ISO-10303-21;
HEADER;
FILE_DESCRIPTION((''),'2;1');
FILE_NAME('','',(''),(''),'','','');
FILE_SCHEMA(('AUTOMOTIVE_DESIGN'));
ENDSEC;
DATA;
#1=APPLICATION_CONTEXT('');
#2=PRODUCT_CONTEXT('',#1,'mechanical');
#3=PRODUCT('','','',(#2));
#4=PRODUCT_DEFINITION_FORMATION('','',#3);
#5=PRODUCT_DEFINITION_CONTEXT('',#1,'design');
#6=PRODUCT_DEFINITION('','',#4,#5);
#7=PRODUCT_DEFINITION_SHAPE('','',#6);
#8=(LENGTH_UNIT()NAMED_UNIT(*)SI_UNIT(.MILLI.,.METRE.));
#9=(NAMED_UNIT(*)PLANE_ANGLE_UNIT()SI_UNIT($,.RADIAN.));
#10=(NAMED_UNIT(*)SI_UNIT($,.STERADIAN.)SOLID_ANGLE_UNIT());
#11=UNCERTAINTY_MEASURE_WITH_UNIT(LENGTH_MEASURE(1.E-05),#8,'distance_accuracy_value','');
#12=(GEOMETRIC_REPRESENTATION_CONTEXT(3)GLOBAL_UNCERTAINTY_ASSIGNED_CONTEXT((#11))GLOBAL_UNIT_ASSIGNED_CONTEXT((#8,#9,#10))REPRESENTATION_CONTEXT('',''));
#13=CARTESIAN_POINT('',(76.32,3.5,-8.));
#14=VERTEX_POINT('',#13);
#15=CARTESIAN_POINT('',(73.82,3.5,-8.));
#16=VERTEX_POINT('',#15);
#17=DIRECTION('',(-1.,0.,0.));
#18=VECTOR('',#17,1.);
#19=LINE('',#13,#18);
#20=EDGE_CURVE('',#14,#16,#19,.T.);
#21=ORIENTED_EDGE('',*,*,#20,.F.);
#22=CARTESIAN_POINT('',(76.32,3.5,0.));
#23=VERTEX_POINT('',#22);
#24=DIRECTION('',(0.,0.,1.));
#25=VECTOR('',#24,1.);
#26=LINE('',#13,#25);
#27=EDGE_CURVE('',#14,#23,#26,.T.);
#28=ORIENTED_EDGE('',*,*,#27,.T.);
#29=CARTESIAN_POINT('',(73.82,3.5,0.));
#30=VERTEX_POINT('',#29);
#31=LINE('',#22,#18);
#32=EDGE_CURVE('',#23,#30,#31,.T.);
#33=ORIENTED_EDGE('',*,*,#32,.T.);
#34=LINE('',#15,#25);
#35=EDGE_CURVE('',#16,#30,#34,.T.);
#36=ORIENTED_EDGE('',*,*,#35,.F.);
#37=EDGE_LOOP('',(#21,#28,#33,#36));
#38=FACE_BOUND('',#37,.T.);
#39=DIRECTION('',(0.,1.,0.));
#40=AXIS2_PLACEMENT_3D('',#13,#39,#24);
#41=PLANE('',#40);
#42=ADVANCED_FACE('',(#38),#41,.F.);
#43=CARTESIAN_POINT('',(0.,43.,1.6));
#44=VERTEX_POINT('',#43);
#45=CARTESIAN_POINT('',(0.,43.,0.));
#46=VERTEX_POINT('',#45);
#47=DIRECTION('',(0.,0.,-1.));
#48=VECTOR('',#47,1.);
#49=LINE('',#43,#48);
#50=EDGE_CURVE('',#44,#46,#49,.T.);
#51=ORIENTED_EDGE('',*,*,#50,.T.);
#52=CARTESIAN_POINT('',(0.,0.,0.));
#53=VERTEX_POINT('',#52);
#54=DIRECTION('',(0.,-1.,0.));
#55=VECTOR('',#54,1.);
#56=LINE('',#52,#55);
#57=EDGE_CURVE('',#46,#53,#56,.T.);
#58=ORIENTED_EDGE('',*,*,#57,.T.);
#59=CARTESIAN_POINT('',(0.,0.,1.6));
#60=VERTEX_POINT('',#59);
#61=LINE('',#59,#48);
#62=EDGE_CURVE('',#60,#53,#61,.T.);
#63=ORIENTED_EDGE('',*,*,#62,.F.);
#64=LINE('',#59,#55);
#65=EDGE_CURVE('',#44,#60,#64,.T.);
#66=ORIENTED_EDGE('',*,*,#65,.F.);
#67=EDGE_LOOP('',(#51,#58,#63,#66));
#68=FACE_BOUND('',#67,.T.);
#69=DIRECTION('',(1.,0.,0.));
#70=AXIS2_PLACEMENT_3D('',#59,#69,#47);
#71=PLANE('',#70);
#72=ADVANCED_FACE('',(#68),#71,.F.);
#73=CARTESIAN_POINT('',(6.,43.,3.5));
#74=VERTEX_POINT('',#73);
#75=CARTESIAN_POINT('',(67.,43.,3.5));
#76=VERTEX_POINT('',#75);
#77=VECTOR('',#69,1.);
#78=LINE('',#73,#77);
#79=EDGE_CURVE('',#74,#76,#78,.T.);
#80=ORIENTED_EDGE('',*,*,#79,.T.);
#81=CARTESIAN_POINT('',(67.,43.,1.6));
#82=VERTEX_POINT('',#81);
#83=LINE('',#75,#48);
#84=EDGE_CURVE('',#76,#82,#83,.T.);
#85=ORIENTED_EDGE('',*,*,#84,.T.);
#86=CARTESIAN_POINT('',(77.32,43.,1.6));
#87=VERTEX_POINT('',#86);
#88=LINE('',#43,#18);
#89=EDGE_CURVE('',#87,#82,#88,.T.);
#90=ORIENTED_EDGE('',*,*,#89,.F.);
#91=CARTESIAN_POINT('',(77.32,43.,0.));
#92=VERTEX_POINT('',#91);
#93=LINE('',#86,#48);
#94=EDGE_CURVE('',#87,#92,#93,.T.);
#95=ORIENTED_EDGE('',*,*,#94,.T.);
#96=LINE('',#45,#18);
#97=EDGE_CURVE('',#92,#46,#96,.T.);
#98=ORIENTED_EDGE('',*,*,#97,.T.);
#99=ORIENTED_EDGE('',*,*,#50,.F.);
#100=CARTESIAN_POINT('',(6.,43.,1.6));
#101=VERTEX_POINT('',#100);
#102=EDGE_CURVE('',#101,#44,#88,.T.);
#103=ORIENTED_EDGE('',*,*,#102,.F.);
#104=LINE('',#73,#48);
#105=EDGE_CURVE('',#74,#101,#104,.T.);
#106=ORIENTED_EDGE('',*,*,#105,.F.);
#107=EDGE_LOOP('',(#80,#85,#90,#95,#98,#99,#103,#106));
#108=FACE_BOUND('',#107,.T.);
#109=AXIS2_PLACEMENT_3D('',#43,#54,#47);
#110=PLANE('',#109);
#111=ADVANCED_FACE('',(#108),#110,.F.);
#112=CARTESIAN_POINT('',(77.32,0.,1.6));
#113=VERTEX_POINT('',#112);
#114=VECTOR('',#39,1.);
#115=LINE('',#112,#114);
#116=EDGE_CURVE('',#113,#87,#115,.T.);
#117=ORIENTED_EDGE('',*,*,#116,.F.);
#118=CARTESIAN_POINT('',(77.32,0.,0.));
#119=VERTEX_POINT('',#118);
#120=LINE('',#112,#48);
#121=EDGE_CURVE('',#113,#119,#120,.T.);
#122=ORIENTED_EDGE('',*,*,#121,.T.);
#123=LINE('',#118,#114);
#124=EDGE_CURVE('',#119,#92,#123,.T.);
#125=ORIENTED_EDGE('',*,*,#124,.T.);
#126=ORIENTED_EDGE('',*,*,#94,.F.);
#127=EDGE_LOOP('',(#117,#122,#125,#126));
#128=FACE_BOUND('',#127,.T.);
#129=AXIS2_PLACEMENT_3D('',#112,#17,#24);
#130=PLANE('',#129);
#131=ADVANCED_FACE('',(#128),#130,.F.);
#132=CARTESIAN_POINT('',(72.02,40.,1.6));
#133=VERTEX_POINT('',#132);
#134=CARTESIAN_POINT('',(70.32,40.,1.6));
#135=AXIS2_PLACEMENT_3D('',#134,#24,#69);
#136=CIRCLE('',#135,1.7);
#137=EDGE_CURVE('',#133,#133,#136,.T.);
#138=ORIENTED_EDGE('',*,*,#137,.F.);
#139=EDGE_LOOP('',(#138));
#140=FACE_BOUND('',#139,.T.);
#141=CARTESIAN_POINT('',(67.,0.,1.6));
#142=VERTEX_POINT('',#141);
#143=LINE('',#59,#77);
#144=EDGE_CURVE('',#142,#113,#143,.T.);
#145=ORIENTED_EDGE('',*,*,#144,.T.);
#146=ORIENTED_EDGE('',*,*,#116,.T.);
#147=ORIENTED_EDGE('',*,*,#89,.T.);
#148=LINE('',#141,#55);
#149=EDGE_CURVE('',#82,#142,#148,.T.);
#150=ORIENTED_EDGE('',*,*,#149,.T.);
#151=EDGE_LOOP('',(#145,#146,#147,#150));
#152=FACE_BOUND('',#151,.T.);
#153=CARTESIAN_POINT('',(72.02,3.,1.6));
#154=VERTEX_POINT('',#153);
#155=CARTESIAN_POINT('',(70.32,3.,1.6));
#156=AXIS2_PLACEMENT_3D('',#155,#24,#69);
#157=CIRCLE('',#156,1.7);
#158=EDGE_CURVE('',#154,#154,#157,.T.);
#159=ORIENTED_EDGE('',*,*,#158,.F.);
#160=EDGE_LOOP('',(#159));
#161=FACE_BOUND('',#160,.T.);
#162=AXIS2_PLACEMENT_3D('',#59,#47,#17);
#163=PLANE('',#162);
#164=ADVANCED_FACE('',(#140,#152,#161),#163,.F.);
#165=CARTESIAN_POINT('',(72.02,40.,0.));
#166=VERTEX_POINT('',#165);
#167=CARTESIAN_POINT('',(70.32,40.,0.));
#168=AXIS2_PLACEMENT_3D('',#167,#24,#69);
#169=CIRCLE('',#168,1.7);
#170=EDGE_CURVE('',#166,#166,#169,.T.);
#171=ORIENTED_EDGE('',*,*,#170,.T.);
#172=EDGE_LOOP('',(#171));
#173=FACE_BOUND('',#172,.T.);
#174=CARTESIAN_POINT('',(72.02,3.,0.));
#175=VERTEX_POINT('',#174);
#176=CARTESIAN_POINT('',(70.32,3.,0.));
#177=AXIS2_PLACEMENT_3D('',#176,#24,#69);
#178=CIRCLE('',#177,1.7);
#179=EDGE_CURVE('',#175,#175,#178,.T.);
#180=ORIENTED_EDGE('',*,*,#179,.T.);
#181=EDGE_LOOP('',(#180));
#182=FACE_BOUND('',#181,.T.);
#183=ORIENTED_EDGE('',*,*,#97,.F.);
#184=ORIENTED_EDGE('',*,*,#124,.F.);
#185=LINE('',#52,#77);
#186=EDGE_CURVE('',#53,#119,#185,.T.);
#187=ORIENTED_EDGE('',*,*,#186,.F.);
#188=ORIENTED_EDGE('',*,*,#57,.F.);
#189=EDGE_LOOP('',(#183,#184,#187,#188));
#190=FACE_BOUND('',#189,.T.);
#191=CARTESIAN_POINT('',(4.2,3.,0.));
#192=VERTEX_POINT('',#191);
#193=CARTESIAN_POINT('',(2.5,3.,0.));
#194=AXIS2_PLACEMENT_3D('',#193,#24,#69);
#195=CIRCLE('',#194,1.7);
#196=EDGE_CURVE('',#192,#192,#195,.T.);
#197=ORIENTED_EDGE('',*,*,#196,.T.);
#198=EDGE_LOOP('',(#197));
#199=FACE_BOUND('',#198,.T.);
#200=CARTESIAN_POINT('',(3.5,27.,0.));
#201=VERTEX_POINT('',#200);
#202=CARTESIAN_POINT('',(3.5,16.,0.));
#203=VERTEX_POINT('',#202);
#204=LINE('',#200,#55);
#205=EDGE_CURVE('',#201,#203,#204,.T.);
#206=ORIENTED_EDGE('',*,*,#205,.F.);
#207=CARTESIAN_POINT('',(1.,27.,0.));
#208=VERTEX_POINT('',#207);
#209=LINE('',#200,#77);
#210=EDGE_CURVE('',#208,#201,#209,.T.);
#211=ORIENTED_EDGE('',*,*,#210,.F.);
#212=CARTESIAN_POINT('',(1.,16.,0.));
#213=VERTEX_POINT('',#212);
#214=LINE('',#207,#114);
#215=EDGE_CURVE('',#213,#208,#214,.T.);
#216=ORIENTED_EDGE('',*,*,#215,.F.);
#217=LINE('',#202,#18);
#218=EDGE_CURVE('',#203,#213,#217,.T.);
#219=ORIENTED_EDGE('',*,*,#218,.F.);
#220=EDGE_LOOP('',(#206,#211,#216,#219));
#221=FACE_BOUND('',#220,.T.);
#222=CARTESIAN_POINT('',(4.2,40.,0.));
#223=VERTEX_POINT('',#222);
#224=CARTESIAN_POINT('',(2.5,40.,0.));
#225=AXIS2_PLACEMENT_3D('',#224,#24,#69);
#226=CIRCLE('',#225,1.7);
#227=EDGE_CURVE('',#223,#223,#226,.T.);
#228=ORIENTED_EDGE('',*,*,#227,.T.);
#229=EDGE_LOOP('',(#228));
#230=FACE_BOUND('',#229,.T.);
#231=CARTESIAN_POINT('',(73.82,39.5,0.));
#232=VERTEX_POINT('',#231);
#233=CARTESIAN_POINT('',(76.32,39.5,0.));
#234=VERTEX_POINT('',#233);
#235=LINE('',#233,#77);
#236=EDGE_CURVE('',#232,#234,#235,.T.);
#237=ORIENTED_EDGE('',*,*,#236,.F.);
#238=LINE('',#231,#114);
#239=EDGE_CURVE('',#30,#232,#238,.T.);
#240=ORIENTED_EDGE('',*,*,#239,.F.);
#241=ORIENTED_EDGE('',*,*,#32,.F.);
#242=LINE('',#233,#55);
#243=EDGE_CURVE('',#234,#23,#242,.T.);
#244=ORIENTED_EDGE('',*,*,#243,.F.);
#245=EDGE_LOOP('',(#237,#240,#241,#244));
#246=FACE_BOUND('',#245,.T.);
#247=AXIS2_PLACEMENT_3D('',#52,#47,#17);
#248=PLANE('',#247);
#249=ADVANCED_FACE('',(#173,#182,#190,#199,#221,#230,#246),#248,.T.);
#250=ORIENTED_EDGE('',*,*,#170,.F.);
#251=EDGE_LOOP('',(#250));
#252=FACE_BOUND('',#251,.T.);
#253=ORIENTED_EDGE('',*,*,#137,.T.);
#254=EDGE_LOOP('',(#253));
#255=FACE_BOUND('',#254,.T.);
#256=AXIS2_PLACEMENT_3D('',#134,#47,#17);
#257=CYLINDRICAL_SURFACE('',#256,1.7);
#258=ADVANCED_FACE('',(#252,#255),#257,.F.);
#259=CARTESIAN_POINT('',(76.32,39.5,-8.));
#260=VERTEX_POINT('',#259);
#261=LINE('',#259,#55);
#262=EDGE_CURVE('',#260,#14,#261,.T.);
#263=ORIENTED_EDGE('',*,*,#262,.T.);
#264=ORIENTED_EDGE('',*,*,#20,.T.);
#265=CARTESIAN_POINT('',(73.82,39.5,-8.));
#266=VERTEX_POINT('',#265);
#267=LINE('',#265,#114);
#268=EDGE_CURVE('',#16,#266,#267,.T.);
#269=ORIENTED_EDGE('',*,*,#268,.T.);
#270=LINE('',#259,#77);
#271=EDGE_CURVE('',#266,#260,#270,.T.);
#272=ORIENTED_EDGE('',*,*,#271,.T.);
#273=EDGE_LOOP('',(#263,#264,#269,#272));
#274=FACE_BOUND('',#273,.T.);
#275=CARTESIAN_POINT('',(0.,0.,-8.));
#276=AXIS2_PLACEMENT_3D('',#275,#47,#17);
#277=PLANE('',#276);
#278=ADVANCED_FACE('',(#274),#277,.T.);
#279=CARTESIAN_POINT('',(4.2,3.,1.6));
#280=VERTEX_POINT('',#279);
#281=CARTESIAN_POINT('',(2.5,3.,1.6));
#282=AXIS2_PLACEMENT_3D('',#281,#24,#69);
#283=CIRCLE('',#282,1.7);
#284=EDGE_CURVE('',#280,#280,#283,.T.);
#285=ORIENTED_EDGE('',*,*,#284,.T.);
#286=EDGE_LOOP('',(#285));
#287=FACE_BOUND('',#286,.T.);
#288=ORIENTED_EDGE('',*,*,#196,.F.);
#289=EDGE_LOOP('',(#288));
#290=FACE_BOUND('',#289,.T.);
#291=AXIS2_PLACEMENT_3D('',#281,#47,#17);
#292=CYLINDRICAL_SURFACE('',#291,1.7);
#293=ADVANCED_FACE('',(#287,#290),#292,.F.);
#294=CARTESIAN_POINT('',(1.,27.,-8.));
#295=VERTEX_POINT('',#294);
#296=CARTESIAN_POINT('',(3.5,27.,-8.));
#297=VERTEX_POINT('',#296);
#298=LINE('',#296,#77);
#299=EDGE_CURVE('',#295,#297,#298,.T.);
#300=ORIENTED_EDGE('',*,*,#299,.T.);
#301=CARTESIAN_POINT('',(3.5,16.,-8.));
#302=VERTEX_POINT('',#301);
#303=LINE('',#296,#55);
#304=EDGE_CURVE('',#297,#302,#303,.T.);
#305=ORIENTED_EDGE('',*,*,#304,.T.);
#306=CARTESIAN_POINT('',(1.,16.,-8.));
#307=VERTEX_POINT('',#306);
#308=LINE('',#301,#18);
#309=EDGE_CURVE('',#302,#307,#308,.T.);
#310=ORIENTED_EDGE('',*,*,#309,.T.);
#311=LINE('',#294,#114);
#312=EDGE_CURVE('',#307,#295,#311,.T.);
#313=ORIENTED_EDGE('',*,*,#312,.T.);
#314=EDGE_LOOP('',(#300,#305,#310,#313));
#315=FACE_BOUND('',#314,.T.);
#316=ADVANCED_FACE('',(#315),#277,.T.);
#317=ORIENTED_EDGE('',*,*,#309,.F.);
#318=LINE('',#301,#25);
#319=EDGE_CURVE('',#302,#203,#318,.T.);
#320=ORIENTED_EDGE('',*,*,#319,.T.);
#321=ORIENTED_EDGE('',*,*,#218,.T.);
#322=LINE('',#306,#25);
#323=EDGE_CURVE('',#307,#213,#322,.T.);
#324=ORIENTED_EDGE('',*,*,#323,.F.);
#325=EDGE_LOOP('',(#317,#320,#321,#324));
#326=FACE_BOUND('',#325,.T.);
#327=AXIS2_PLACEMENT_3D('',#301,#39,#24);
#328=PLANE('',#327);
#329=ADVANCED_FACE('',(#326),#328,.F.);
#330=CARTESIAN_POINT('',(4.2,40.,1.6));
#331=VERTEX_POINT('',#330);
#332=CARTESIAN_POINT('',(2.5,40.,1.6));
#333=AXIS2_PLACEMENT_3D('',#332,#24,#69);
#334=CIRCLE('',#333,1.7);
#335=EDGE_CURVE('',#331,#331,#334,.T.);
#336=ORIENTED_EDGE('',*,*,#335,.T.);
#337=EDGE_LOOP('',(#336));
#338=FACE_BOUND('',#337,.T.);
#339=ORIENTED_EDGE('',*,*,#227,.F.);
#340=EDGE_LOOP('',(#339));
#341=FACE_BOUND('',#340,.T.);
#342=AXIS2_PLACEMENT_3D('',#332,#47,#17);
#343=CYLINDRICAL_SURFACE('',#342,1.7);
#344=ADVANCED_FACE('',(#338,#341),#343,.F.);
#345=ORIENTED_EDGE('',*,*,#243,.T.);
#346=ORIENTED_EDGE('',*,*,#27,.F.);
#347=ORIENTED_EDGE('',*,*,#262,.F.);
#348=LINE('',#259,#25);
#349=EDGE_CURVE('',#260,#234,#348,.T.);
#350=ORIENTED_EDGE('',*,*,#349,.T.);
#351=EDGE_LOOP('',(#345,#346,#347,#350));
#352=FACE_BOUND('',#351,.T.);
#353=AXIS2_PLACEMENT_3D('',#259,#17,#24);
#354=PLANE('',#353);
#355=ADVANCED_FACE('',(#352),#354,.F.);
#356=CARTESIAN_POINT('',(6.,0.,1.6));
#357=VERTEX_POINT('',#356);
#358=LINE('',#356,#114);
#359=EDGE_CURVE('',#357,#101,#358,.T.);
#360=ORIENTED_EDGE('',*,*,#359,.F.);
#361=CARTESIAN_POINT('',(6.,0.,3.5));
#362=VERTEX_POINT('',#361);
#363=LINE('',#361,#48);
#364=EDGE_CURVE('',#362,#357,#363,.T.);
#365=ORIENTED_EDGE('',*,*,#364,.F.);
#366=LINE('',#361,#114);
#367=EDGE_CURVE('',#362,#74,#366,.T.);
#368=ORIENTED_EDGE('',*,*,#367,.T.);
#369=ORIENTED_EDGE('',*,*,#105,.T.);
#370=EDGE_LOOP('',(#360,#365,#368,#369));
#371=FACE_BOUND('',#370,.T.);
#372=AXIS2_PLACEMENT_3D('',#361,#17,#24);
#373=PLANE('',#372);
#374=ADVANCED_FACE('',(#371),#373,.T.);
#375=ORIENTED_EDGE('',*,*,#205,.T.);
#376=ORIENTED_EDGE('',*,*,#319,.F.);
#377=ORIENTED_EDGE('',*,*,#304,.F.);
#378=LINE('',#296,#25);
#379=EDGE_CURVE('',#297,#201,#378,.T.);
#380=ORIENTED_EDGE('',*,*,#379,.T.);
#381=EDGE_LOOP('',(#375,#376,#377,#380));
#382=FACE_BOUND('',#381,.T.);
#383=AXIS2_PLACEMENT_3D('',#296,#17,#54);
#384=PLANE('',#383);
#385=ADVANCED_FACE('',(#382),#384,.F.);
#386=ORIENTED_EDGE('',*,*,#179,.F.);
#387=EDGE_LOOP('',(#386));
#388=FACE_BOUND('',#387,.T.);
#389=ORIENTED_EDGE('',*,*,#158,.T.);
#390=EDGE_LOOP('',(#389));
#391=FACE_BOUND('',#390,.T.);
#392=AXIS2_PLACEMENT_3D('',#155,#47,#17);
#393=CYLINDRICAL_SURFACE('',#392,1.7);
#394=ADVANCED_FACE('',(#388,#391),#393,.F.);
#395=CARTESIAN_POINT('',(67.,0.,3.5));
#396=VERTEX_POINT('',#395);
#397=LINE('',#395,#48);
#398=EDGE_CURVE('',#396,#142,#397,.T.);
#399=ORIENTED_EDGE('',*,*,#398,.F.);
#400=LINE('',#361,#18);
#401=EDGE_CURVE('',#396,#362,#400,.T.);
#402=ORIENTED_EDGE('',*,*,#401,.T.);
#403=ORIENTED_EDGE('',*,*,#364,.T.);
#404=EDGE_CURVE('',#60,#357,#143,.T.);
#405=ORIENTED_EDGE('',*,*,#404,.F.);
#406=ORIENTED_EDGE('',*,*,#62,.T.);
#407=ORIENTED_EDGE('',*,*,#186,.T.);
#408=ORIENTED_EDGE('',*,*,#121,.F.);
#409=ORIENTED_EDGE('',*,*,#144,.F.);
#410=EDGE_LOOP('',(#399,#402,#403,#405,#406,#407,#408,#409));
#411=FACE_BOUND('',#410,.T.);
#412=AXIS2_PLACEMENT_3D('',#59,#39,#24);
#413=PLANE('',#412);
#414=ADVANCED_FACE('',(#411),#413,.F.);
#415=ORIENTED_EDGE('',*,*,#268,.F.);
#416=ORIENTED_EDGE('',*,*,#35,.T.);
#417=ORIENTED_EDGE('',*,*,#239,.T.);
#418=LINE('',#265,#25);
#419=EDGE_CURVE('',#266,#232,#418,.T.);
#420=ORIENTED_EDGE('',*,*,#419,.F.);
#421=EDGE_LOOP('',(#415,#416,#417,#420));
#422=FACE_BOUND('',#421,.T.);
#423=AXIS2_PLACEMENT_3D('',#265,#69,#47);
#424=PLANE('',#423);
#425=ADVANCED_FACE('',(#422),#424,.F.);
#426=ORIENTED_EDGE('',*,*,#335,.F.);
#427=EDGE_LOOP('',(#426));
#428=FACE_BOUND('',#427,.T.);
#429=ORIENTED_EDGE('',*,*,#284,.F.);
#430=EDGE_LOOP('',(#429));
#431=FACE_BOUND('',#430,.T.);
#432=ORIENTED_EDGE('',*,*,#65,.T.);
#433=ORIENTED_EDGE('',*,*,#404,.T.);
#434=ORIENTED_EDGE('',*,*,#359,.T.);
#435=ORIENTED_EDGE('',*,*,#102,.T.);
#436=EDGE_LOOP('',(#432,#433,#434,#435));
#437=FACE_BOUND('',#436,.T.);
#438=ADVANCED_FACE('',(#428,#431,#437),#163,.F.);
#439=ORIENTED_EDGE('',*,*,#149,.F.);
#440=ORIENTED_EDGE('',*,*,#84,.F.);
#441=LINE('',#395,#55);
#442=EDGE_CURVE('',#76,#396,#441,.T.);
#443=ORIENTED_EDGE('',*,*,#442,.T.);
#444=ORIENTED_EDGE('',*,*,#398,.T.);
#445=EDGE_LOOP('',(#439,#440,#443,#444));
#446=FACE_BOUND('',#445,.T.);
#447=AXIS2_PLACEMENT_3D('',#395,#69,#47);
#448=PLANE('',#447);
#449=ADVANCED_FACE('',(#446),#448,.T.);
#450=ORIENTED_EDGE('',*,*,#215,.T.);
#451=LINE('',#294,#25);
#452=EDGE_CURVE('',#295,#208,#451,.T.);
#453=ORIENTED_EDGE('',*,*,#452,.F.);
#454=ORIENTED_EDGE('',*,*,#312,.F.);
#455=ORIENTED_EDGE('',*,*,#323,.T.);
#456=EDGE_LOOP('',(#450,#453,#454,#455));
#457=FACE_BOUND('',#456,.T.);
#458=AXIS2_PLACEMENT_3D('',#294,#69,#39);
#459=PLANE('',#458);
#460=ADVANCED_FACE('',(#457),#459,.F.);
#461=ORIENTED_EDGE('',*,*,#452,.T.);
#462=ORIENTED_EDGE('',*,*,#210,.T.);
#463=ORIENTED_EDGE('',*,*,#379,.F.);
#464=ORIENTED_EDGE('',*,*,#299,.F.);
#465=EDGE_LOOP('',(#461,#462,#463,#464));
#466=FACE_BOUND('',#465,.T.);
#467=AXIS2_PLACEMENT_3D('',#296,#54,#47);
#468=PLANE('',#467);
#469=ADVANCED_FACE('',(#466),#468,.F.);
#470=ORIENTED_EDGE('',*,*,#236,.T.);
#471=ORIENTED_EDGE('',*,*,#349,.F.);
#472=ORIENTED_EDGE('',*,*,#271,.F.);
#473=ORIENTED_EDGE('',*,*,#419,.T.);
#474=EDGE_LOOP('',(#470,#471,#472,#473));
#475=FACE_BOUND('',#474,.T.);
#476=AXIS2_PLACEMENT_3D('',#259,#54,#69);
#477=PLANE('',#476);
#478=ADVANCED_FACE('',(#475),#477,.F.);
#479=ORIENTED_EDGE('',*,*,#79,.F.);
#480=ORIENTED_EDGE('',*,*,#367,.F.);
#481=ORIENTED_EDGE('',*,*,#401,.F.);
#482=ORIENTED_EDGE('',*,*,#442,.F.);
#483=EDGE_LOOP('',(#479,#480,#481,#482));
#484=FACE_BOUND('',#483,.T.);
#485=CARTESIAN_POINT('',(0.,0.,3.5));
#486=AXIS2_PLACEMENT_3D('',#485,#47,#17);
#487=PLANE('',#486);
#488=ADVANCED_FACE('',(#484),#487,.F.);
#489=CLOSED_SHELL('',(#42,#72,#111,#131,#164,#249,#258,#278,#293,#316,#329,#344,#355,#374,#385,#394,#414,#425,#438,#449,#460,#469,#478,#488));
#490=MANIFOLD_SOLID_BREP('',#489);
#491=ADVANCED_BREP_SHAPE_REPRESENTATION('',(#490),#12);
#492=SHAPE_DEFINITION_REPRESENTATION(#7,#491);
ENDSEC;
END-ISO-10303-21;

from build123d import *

# Parameters (mm, degrees)
SKETCH1_W           = 77.32
SKETCH1_H           = 43
SKETCH1_R           = 1.7
BOSS_EXTRUDE1_DEPTH = 1.6
SKETCH3_W           = 61
SKETCH3_H           = 43
BOSS_EXTRUDE3_DEPTH = 3.5
SKETCH4_W           = 2.5
SKETCH4_H           = 36
SKETCH4_H_2         = 11
BOSS_EXTRUDE4_DEPTH = 8


with BuildPart() as part:
    # Sketch1 → Boss-Extrude1 (new body)
    with BuildSketch(Plane.XY):
        with Locations((38.66, 21.5)):
            Rectangle(SKETCH1_W, SKETCH1_H)
        with Locations((70.32, 40)):
            Circle(SKETCH1_R, mode=Mode.SUBTRACT)
        with Locations((70.32, 3)):
            Circle(SKETCH1_R, mode=Mode.SUBTRACT)
        with Locations((2.5, 3)):
            Circle(SKETCH1_R, mode=Mode.SUBTRACT)
        with Locations((2.5, 40)):
            Circle(SKETCH1_R, mode=Mode.SUBTRACT)
    extrude(amount=BOSS_EXTRUDE1_DEPTH)

    # Sketch3 → Boss-Extrude3 (add)
    with BuildSketch(Plane(origin=(0, 0, 0), x_dir=(-1, 0, 0), z_dir=(0, 0, -1))):
        with Locations((-36.5, 21.5)):
            Rectangle(SKETCH3_W, SKETCH3_H)
    extrude(amount=-BOSS_EXTRUDE3_DEPTH)

    # Sketch4 → Boss-Extrude4 (add)
    with BuildSketch(Plane(origin=(0, 0, 0), x_dir=(-1, 0, 0), z_dir=(0, 0, -1))):
        with Locations((-75.07, 21.5)):
            Rectangle(SKETCH4_W, SKETCH4_H)
        with Locations((-2.25, 21.5)):
            Rectangle(SKETCH4_W, SKETCH4_H_2)
    extrude(amount=BOSS_EXTRUDE4_DEPTH)


solid = part.part
